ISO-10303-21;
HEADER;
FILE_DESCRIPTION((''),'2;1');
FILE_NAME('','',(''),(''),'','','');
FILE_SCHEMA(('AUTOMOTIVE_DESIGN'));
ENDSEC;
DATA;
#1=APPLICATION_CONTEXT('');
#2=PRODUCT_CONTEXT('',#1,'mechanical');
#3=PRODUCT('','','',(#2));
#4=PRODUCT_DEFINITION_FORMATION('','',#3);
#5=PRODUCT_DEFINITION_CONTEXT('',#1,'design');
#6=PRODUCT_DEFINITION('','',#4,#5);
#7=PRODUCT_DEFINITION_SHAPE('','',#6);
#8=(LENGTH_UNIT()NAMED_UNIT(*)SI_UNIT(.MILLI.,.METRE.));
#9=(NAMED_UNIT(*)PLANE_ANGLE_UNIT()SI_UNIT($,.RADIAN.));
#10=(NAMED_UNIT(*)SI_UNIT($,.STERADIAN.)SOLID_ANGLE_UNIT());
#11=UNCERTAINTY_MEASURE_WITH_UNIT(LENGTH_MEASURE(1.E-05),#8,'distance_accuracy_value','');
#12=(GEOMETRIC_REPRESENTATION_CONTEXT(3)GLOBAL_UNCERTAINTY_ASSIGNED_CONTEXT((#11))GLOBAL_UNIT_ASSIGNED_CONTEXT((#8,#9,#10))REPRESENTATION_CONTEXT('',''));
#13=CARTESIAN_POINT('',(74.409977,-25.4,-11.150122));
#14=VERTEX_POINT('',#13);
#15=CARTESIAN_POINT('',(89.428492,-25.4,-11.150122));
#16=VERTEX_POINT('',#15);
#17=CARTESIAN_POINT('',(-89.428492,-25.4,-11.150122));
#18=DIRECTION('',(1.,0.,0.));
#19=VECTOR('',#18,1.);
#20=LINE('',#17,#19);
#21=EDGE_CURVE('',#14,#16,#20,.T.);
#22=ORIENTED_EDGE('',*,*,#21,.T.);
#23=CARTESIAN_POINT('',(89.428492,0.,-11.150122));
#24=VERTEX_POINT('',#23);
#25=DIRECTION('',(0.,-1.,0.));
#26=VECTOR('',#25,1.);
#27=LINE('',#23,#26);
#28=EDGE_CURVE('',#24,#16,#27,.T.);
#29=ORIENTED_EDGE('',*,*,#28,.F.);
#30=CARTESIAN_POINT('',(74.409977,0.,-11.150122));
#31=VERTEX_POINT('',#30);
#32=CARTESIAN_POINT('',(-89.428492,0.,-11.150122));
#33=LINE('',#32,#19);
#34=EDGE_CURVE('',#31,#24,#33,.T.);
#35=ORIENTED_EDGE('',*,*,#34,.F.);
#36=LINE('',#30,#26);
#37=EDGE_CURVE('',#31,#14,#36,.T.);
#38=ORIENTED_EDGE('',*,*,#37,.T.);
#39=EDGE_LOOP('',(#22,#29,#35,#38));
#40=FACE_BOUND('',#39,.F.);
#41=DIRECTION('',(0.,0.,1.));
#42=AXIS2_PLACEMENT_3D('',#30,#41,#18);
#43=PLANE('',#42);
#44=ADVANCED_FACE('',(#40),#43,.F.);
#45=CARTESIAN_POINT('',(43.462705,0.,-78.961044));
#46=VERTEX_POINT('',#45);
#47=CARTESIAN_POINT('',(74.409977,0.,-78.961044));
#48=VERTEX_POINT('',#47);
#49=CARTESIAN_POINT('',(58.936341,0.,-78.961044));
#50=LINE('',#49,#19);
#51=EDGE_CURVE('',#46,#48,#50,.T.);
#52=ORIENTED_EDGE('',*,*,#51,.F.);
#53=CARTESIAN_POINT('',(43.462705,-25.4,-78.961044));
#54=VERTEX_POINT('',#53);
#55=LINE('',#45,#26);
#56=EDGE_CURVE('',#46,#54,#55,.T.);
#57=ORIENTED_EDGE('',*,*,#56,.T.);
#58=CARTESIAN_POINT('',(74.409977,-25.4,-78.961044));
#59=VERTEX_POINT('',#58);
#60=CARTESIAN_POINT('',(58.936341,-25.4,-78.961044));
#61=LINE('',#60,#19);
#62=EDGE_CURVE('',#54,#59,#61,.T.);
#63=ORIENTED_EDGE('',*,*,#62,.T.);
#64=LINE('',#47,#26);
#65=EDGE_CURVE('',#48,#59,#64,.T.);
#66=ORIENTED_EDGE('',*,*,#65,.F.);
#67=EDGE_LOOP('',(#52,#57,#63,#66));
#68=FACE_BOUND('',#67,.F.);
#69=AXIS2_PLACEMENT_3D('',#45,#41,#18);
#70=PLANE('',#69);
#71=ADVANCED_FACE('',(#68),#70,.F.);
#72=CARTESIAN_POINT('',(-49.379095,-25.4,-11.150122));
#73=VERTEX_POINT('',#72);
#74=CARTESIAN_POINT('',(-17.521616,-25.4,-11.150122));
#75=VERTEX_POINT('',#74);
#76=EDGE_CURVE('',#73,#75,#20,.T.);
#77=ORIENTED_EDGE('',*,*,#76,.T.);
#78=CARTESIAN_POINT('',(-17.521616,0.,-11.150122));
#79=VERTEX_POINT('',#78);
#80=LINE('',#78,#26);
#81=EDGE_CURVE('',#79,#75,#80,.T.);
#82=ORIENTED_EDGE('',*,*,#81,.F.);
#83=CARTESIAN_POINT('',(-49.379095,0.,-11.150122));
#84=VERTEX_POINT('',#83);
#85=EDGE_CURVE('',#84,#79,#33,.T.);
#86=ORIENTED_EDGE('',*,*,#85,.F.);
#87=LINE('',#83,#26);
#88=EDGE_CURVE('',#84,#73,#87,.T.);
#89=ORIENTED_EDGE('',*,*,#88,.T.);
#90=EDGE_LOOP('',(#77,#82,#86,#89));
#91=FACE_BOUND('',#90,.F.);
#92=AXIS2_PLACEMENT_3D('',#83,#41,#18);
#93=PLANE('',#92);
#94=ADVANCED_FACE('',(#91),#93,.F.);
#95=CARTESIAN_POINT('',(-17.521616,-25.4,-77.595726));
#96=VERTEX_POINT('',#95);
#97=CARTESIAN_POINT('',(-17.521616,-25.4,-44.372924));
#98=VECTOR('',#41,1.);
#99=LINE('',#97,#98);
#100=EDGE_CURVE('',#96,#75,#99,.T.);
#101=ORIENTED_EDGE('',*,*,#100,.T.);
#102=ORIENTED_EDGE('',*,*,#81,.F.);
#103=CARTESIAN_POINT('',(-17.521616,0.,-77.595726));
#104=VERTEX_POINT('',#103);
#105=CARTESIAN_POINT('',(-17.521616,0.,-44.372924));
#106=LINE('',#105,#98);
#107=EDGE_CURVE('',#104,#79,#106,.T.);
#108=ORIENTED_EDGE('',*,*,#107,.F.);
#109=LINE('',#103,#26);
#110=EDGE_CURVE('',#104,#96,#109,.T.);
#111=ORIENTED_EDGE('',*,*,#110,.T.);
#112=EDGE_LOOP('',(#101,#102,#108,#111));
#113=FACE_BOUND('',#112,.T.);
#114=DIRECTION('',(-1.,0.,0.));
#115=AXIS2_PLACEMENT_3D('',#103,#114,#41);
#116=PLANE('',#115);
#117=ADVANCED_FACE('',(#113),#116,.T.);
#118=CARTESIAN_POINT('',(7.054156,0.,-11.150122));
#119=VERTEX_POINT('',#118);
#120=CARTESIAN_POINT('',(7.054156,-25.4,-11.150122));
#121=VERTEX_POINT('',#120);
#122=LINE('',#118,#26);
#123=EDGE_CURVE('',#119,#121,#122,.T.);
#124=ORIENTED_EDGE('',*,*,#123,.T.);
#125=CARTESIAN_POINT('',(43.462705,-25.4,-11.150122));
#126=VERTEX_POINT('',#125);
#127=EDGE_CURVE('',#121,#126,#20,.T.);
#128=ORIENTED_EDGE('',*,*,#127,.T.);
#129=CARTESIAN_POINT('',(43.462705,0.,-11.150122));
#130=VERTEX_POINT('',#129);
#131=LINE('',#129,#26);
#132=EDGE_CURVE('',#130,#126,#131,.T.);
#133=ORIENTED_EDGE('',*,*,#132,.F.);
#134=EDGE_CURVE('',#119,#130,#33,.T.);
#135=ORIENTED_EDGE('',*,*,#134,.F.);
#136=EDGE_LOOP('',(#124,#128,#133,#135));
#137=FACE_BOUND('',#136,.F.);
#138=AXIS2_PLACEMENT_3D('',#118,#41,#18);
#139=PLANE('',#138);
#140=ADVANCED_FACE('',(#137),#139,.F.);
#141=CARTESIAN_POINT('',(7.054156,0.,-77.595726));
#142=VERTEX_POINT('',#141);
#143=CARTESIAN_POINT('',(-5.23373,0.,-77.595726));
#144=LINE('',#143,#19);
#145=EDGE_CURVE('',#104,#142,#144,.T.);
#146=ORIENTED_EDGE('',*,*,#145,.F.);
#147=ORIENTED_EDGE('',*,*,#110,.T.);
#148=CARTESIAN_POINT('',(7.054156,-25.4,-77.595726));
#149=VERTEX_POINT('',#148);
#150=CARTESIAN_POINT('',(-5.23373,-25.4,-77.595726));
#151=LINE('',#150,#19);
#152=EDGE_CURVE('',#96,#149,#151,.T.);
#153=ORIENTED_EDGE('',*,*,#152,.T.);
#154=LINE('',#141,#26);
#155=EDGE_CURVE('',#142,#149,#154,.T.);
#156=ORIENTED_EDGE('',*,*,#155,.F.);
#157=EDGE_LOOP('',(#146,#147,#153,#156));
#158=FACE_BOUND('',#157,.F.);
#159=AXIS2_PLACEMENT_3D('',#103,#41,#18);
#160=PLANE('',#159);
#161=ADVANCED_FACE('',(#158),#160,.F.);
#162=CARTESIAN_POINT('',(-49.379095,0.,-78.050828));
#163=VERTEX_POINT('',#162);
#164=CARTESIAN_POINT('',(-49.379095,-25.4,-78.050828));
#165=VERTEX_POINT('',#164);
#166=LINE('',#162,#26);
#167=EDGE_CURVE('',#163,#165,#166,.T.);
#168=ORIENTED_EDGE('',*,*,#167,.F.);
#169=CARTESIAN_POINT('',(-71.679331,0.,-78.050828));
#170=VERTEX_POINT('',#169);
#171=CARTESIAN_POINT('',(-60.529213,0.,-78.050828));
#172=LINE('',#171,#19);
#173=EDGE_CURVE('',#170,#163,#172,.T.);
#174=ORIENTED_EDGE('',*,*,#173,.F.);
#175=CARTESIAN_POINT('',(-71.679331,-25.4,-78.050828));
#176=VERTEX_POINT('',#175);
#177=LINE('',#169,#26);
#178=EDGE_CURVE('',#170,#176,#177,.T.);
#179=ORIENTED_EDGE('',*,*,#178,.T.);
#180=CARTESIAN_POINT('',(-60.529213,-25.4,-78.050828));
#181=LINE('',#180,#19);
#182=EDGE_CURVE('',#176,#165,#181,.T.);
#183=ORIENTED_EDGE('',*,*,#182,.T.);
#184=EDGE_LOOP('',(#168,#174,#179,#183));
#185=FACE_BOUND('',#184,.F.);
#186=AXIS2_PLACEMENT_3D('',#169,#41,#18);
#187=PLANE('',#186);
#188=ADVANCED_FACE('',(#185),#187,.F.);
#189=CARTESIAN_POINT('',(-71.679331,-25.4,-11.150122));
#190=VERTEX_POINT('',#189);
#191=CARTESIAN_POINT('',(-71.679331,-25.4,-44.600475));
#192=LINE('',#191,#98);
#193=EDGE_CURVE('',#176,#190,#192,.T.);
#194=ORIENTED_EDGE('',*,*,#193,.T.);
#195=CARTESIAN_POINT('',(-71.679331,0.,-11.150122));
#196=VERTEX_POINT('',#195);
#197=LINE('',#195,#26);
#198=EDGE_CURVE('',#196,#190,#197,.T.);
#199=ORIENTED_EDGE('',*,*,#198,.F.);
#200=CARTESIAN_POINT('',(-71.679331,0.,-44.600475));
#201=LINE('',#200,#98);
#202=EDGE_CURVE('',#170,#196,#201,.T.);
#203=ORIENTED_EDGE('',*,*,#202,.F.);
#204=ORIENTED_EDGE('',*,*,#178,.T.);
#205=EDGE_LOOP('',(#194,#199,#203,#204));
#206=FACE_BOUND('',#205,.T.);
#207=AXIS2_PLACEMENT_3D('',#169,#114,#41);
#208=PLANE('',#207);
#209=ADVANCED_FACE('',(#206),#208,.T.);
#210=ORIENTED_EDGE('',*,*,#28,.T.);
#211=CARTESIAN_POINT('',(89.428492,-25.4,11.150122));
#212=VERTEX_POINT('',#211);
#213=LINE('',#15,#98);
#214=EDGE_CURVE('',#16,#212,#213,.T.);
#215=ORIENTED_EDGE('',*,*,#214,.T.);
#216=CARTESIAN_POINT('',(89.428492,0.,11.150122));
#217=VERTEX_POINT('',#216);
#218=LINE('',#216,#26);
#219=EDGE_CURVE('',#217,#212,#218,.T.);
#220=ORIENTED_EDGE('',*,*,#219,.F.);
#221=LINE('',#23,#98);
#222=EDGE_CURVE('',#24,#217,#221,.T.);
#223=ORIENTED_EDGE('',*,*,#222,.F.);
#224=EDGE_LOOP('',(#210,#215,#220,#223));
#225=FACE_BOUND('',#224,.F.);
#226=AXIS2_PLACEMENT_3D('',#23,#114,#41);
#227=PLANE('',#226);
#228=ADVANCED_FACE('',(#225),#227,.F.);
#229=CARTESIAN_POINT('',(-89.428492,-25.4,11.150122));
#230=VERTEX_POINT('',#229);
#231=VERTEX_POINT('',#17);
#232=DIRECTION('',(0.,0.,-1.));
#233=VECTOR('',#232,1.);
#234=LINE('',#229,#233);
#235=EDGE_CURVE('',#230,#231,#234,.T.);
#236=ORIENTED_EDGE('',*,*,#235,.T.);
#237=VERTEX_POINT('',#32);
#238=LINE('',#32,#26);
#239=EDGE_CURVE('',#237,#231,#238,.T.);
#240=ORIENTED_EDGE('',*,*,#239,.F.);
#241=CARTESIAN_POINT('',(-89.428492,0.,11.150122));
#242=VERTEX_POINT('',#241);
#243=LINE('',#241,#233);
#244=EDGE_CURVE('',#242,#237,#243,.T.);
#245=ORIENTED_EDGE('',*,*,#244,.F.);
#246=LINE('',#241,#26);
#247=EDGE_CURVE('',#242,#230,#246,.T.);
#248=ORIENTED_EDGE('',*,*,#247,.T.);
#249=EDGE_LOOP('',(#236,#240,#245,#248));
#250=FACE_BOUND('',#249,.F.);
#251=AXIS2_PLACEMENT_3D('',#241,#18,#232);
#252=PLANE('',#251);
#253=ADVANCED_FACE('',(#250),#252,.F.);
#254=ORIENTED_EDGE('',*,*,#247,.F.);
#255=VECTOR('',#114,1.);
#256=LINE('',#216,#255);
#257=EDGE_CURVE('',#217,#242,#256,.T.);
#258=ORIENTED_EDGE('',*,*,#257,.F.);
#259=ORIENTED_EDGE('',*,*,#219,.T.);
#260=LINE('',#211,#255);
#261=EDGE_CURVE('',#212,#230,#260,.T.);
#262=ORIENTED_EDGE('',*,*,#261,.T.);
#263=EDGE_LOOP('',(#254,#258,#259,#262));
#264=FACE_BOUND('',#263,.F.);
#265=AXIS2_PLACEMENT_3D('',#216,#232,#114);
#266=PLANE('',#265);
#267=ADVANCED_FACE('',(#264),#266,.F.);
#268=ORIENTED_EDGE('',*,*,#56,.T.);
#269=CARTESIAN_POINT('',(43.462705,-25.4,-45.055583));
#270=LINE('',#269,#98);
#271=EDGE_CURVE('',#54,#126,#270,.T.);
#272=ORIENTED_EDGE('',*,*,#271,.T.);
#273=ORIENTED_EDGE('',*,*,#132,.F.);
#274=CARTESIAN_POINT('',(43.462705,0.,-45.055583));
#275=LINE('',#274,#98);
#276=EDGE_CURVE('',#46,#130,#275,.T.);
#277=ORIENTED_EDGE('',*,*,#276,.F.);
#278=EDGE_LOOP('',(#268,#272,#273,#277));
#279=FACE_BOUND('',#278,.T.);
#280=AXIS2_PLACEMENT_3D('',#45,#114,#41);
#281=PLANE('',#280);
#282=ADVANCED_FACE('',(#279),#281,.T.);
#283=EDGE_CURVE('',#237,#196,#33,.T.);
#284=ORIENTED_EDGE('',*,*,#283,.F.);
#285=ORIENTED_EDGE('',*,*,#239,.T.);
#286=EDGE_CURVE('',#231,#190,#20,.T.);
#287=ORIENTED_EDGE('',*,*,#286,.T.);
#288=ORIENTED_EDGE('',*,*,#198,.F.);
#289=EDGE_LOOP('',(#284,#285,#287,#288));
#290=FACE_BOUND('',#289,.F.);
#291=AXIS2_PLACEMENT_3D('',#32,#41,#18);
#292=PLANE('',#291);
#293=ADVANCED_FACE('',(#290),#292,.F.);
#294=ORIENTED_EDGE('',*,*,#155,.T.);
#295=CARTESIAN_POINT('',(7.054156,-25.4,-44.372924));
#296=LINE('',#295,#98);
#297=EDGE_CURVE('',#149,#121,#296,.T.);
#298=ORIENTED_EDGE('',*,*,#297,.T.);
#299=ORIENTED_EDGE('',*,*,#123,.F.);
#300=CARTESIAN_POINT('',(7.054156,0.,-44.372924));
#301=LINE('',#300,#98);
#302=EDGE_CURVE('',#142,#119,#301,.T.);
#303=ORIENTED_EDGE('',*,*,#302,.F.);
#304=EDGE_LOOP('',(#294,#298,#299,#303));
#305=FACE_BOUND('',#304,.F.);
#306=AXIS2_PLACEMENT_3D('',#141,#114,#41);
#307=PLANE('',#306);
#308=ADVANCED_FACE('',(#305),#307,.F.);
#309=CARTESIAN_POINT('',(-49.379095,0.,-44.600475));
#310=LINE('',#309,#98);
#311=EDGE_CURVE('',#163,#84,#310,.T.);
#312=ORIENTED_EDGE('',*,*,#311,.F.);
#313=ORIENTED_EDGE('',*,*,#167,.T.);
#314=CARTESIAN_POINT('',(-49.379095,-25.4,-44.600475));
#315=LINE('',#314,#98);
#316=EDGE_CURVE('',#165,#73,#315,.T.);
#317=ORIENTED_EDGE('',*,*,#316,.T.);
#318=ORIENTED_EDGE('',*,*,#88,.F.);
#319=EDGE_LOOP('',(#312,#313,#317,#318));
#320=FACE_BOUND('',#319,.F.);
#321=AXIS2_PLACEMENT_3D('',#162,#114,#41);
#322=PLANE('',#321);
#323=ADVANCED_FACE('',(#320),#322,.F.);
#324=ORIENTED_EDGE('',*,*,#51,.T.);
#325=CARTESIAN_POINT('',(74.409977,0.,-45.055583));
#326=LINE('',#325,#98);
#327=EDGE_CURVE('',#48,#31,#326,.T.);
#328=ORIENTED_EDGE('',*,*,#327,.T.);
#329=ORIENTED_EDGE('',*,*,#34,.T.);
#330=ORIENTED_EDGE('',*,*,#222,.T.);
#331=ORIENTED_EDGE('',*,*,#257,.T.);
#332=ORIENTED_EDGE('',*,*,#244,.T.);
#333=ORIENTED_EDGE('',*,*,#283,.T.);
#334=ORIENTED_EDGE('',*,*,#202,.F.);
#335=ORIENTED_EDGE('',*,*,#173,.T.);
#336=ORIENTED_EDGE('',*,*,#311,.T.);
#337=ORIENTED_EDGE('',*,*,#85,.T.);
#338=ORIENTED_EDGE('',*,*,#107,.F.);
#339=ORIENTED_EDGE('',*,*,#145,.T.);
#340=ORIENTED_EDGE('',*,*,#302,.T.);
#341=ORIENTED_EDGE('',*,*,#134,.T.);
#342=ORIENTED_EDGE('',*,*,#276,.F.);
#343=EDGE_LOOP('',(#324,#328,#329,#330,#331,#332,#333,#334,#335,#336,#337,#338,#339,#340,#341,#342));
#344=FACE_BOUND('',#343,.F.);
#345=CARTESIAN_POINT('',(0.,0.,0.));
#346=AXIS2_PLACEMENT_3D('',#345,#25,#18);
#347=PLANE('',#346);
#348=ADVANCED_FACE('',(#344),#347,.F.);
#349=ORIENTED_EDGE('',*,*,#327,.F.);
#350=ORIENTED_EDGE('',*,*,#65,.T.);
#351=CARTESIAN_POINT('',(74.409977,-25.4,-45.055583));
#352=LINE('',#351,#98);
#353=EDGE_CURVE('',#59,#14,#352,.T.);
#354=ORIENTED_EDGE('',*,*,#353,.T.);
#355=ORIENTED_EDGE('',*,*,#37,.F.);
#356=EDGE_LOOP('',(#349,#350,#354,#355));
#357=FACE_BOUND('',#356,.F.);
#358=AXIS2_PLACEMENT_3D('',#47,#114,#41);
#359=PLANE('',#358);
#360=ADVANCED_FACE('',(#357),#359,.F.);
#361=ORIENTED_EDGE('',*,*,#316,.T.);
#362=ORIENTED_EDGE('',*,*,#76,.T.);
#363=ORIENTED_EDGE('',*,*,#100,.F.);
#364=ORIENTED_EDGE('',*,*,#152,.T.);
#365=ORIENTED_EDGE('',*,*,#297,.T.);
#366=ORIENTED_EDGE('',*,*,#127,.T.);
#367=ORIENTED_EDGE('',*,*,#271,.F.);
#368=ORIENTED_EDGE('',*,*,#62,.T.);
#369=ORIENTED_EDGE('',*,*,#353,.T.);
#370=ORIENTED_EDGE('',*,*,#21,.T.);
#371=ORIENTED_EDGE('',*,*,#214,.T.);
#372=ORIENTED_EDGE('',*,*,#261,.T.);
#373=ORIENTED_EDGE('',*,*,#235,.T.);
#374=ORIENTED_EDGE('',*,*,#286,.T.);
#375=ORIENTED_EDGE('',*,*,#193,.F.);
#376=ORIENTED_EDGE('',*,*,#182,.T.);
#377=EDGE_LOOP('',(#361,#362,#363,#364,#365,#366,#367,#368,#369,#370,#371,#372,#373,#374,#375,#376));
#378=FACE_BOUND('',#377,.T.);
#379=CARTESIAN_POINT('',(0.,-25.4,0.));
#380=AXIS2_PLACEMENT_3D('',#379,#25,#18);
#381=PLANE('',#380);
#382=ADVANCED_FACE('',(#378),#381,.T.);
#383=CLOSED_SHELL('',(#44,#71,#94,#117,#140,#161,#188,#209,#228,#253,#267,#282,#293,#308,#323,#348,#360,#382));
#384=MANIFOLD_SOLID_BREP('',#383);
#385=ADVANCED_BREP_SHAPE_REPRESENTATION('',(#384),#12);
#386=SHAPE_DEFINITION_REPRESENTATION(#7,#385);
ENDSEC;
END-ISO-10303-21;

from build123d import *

# Parameters (mm, degrees)
F0_W     = 22.300236
F0_H     = 66.900707
F0_W_2   = 24.575772
F0_H_2   = 66.445604
F0_W_3   = 30.947272
F0_H_3   = 67.810923
F1_DEPTH = 25.4


with BuildPart() as f1:
    # F0 (on Front) → F1 (new body)
    with BuildSketch(Plane.XZ):
        Polygon((74.409977, -11.150122), (89.428492, -11.150122), (89.428492, 11.150122), (-89.428492, 11.150122), (-89.428492, -11.150122), (-71.679331, -11.150122), (-49.379095, -11.150122), (-17.521616, -11.150122), (7.054156, -11.150122), (43.462705, -11.150122), align=None)
        with Locations((-60.529213, -44.600475)):
            Rectangle(F0_W, F0_H)
        with Locations((-5.23373, -44.372924)):
            Rectangle(F0_W_2, F0_H_2)
        with Locations((58.936341, -45.055583)):
            Rectangle(F0_W_3, F0_H_3)
    extrude(amount=F1_DEPTH)


solid = f1.part
